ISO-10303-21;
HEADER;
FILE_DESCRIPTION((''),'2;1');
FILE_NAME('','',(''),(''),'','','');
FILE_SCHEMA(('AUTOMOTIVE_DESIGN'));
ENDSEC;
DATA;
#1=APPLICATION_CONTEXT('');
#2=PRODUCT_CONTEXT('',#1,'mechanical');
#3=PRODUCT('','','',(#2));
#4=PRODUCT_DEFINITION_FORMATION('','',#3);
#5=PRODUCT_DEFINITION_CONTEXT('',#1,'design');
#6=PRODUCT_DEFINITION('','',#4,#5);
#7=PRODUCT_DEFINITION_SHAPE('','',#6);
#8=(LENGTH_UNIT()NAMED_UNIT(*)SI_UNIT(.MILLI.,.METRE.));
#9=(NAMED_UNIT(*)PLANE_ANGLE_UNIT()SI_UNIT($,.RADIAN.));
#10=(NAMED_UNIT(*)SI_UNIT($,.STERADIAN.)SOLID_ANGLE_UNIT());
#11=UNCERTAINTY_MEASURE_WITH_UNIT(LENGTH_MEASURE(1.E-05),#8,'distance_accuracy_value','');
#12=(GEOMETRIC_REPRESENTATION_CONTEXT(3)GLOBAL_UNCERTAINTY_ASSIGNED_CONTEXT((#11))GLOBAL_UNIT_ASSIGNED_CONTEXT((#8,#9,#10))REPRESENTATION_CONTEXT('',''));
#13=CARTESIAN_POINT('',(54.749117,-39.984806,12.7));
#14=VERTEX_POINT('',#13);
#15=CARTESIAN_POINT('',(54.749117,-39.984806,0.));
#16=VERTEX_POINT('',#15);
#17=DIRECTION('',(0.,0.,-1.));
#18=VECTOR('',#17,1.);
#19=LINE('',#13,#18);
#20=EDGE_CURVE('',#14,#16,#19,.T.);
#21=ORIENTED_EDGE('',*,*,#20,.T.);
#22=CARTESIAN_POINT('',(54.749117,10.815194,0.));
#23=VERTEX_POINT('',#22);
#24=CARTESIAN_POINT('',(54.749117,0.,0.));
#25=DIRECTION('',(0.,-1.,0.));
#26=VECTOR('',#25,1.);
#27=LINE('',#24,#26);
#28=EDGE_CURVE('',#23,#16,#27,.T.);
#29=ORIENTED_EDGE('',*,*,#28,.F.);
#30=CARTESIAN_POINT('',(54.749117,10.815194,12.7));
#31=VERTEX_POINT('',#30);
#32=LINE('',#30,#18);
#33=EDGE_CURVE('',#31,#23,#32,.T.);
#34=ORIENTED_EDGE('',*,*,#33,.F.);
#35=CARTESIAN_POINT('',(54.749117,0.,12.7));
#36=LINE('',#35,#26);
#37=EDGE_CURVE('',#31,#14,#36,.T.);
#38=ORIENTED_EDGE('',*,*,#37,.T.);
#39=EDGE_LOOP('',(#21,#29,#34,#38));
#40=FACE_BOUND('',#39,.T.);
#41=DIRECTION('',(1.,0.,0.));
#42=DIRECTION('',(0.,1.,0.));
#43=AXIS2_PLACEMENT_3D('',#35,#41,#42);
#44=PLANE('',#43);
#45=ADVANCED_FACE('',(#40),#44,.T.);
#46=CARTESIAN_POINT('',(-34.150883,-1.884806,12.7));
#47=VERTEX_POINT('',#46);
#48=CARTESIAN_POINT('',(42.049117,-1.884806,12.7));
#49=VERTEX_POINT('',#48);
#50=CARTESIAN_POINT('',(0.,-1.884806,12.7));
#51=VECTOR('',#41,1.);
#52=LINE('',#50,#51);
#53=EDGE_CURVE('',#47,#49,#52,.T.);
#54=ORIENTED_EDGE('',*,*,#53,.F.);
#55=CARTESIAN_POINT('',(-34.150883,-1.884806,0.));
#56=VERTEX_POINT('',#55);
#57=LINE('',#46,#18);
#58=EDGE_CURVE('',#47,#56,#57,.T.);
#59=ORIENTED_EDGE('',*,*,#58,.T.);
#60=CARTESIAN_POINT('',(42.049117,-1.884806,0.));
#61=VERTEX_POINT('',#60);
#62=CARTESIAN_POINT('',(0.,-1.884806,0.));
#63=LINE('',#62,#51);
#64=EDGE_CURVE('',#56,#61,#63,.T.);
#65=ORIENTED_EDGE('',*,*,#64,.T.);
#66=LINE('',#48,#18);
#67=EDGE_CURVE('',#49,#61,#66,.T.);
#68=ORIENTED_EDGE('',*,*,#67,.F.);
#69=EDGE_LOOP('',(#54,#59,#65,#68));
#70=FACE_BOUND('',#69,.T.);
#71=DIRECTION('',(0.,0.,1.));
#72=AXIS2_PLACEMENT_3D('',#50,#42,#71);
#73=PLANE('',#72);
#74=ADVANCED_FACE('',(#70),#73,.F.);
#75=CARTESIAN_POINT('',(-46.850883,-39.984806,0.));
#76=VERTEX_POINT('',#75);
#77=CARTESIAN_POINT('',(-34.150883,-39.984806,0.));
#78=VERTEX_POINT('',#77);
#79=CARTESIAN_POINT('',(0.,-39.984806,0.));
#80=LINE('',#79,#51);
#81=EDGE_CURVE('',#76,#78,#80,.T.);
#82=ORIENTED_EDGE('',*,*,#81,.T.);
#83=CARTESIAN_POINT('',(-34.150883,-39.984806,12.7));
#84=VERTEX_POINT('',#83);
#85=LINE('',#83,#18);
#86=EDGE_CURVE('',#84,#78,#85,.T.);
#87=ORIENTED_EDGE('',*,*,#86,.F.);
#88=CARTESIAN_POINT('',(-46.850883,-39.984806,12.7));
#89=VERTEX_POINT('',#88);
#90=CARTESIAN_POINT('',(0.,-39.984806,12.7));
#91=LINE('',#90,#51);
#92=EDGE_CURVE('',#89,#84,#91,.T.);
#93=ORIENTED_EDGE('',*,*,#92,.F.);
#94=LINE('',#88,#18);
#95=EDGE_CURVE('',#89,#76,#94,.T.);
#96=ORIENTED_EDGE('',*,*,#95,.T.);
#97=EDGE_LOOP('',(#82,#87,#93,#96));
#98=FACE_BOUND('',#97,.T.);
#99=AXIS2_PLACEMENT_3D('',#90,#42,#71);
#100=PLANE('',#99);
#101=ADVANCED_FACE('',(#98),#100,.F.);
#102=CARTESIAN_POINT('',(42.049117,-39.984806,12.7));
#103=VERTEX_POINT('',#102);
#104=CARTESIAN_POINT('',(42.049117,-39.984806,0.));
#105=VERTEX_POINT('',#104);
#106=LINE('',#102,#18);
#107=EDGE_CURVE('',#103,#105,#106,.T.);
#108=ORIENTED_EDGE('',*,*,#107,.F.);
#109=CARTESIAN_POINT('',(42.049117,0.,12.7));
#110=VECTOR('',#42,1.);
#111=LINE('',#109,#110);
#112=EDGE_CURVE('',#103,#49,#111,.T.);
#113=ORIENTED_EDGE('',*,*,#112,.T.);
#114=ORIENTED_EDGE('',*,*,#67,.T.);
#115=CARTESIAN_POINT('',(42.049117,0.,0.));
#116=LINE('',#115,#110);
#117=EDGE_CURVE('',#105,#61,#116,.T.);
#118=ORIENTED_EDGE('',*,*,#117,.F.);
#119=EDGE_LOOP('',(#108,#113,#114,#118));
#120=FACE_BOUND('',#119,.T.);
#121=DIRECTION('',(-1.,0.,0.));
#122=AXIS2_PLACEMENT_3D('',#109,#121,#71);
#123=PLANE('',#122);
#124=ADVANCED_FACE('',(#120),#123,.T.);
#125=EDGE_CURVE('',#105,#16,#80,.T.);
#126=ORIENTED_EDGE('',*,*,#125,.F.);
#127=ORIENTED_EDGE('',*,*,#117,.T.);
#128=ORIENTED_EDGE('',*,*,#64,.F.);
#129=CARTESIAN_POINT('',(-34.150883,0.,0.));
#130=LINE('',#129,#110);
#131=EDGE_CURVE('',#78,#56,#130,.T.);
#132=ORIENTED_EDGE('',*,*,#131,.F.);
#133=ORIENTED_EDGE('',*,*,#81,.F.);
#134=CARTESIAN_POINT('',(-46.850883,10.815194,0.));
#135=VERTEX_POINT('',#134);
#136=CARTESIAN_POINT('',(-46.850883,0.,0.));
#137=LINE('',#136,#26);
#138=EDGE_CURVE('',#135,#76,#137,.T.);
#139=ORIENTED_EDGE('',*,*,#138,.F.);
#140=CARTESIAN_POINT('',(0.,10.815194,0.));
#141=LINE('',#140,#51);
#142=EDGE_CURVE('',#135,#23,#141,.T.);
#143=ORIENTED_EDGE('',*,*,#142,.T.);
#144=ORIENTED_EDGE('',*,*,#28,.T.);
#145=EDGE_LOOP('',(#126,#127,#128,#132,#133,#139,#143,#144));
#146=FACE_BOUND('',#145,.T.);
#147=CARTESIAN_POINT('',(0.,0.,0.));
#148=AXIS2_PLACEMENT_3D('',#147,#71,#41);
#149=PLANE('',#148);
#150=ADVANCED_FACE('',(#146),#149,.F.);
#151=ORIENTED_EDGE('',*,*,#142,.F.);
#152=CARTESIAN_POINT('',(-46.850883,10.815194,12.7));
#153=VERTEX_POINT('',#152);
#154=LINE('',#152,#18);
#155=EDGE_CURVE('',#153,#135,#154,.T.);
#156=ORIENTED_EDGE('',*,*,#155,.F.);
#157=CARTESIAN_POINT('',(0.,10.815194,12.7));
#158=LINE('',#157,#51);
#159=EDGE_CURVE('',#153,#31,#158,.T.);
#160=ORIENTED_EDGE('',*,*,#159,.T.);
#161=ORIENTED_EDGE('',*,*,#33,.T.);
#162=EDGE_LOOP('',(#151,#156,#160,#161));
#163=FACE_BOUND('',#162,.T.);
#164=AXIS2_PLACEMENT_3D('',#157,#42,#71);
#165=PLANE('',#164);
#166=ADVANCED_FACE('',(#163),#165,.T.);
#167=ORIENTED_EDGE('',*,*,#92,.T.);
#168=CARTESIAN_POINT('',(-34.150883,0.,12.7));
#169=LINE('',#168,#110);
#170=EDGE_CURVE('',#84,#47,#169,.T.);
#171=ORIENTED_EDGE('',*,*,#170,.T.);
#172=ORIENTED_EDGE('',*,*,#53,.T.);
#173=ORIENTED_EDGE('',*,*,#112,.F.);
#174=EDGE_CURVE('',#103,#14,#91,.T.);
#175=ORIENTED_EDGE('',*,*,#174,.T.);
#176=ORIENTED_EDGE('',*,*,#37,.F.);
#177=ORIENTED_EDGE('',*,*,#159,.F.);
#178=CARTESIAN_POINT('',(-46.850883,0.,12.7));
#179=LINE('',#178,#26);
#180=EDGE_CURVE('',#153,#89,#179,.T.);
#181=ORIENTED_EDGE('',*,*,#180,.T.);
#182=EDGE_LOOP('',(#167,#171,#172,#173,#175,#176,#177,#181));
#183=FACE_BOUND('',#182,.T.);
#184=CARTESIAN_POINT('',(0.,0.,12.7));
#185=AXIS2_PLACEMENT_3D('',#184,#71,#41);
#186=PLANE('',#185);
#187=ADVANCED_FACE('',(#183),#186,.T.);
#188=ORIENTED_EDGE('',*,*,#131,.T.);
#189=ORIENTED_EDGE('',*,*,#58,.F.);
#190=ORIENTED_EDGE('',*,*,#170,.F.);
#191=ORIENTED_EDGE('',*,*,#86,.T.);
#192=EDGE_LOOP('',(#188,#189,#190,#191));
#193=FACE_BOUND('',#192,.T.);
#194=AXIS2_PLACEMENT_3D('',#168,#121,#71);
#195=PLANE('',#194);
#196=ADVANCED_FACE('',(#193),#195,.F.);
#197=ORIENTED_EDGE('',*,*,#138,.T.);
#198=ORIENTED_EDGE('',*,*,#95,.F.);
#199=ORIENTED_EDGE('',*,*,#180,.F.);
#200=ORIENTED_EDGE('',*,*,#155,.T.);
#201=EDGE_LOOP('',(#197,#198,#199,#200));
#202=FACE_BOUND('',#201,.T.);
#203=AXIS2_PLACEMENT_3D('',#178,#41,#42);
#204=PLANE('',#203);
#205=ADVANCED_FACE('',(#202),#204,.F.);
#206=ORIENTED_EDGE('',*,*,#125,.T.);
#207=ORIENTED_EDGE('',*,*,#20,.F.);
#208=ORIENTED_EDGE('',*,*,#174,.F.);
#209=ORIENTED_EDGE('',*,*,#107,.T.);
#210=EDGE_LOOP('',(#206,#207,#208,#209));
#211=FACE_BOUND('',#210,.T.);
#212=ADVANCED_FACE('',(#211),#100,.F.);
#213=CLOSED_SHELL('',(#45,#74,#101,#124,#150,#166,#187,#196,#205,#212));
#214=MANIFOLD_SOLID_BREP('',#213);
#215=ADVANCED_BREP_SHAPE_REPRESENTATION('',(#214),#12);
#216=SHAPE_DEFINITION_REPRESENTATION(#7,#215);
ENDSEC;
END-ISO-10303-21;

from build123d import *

# Parameters (mm, degrees)
BOSS_EXTRUDE1_DEPTH = 12.7


with BuildPart() as part:
    # Sketch2 → Boss-Extrude1 (new body)
    with BuildSketch(Plane.XY):
        Polygon((54.749116608, 10.815194346), (-46.850883392, 10.815194346), (-46.850883392, -39.984805654), (-34.150883392, -39.984805654), (-34.150883392, -1.884805654), (42.049116608, -1.884805654), (42.049116608, -39.984805654), (54.749116608, -39.984805654), align=None)
    extrude(amount=BOSS_EXTRUDE1_DEPTH)


solid = part.part
